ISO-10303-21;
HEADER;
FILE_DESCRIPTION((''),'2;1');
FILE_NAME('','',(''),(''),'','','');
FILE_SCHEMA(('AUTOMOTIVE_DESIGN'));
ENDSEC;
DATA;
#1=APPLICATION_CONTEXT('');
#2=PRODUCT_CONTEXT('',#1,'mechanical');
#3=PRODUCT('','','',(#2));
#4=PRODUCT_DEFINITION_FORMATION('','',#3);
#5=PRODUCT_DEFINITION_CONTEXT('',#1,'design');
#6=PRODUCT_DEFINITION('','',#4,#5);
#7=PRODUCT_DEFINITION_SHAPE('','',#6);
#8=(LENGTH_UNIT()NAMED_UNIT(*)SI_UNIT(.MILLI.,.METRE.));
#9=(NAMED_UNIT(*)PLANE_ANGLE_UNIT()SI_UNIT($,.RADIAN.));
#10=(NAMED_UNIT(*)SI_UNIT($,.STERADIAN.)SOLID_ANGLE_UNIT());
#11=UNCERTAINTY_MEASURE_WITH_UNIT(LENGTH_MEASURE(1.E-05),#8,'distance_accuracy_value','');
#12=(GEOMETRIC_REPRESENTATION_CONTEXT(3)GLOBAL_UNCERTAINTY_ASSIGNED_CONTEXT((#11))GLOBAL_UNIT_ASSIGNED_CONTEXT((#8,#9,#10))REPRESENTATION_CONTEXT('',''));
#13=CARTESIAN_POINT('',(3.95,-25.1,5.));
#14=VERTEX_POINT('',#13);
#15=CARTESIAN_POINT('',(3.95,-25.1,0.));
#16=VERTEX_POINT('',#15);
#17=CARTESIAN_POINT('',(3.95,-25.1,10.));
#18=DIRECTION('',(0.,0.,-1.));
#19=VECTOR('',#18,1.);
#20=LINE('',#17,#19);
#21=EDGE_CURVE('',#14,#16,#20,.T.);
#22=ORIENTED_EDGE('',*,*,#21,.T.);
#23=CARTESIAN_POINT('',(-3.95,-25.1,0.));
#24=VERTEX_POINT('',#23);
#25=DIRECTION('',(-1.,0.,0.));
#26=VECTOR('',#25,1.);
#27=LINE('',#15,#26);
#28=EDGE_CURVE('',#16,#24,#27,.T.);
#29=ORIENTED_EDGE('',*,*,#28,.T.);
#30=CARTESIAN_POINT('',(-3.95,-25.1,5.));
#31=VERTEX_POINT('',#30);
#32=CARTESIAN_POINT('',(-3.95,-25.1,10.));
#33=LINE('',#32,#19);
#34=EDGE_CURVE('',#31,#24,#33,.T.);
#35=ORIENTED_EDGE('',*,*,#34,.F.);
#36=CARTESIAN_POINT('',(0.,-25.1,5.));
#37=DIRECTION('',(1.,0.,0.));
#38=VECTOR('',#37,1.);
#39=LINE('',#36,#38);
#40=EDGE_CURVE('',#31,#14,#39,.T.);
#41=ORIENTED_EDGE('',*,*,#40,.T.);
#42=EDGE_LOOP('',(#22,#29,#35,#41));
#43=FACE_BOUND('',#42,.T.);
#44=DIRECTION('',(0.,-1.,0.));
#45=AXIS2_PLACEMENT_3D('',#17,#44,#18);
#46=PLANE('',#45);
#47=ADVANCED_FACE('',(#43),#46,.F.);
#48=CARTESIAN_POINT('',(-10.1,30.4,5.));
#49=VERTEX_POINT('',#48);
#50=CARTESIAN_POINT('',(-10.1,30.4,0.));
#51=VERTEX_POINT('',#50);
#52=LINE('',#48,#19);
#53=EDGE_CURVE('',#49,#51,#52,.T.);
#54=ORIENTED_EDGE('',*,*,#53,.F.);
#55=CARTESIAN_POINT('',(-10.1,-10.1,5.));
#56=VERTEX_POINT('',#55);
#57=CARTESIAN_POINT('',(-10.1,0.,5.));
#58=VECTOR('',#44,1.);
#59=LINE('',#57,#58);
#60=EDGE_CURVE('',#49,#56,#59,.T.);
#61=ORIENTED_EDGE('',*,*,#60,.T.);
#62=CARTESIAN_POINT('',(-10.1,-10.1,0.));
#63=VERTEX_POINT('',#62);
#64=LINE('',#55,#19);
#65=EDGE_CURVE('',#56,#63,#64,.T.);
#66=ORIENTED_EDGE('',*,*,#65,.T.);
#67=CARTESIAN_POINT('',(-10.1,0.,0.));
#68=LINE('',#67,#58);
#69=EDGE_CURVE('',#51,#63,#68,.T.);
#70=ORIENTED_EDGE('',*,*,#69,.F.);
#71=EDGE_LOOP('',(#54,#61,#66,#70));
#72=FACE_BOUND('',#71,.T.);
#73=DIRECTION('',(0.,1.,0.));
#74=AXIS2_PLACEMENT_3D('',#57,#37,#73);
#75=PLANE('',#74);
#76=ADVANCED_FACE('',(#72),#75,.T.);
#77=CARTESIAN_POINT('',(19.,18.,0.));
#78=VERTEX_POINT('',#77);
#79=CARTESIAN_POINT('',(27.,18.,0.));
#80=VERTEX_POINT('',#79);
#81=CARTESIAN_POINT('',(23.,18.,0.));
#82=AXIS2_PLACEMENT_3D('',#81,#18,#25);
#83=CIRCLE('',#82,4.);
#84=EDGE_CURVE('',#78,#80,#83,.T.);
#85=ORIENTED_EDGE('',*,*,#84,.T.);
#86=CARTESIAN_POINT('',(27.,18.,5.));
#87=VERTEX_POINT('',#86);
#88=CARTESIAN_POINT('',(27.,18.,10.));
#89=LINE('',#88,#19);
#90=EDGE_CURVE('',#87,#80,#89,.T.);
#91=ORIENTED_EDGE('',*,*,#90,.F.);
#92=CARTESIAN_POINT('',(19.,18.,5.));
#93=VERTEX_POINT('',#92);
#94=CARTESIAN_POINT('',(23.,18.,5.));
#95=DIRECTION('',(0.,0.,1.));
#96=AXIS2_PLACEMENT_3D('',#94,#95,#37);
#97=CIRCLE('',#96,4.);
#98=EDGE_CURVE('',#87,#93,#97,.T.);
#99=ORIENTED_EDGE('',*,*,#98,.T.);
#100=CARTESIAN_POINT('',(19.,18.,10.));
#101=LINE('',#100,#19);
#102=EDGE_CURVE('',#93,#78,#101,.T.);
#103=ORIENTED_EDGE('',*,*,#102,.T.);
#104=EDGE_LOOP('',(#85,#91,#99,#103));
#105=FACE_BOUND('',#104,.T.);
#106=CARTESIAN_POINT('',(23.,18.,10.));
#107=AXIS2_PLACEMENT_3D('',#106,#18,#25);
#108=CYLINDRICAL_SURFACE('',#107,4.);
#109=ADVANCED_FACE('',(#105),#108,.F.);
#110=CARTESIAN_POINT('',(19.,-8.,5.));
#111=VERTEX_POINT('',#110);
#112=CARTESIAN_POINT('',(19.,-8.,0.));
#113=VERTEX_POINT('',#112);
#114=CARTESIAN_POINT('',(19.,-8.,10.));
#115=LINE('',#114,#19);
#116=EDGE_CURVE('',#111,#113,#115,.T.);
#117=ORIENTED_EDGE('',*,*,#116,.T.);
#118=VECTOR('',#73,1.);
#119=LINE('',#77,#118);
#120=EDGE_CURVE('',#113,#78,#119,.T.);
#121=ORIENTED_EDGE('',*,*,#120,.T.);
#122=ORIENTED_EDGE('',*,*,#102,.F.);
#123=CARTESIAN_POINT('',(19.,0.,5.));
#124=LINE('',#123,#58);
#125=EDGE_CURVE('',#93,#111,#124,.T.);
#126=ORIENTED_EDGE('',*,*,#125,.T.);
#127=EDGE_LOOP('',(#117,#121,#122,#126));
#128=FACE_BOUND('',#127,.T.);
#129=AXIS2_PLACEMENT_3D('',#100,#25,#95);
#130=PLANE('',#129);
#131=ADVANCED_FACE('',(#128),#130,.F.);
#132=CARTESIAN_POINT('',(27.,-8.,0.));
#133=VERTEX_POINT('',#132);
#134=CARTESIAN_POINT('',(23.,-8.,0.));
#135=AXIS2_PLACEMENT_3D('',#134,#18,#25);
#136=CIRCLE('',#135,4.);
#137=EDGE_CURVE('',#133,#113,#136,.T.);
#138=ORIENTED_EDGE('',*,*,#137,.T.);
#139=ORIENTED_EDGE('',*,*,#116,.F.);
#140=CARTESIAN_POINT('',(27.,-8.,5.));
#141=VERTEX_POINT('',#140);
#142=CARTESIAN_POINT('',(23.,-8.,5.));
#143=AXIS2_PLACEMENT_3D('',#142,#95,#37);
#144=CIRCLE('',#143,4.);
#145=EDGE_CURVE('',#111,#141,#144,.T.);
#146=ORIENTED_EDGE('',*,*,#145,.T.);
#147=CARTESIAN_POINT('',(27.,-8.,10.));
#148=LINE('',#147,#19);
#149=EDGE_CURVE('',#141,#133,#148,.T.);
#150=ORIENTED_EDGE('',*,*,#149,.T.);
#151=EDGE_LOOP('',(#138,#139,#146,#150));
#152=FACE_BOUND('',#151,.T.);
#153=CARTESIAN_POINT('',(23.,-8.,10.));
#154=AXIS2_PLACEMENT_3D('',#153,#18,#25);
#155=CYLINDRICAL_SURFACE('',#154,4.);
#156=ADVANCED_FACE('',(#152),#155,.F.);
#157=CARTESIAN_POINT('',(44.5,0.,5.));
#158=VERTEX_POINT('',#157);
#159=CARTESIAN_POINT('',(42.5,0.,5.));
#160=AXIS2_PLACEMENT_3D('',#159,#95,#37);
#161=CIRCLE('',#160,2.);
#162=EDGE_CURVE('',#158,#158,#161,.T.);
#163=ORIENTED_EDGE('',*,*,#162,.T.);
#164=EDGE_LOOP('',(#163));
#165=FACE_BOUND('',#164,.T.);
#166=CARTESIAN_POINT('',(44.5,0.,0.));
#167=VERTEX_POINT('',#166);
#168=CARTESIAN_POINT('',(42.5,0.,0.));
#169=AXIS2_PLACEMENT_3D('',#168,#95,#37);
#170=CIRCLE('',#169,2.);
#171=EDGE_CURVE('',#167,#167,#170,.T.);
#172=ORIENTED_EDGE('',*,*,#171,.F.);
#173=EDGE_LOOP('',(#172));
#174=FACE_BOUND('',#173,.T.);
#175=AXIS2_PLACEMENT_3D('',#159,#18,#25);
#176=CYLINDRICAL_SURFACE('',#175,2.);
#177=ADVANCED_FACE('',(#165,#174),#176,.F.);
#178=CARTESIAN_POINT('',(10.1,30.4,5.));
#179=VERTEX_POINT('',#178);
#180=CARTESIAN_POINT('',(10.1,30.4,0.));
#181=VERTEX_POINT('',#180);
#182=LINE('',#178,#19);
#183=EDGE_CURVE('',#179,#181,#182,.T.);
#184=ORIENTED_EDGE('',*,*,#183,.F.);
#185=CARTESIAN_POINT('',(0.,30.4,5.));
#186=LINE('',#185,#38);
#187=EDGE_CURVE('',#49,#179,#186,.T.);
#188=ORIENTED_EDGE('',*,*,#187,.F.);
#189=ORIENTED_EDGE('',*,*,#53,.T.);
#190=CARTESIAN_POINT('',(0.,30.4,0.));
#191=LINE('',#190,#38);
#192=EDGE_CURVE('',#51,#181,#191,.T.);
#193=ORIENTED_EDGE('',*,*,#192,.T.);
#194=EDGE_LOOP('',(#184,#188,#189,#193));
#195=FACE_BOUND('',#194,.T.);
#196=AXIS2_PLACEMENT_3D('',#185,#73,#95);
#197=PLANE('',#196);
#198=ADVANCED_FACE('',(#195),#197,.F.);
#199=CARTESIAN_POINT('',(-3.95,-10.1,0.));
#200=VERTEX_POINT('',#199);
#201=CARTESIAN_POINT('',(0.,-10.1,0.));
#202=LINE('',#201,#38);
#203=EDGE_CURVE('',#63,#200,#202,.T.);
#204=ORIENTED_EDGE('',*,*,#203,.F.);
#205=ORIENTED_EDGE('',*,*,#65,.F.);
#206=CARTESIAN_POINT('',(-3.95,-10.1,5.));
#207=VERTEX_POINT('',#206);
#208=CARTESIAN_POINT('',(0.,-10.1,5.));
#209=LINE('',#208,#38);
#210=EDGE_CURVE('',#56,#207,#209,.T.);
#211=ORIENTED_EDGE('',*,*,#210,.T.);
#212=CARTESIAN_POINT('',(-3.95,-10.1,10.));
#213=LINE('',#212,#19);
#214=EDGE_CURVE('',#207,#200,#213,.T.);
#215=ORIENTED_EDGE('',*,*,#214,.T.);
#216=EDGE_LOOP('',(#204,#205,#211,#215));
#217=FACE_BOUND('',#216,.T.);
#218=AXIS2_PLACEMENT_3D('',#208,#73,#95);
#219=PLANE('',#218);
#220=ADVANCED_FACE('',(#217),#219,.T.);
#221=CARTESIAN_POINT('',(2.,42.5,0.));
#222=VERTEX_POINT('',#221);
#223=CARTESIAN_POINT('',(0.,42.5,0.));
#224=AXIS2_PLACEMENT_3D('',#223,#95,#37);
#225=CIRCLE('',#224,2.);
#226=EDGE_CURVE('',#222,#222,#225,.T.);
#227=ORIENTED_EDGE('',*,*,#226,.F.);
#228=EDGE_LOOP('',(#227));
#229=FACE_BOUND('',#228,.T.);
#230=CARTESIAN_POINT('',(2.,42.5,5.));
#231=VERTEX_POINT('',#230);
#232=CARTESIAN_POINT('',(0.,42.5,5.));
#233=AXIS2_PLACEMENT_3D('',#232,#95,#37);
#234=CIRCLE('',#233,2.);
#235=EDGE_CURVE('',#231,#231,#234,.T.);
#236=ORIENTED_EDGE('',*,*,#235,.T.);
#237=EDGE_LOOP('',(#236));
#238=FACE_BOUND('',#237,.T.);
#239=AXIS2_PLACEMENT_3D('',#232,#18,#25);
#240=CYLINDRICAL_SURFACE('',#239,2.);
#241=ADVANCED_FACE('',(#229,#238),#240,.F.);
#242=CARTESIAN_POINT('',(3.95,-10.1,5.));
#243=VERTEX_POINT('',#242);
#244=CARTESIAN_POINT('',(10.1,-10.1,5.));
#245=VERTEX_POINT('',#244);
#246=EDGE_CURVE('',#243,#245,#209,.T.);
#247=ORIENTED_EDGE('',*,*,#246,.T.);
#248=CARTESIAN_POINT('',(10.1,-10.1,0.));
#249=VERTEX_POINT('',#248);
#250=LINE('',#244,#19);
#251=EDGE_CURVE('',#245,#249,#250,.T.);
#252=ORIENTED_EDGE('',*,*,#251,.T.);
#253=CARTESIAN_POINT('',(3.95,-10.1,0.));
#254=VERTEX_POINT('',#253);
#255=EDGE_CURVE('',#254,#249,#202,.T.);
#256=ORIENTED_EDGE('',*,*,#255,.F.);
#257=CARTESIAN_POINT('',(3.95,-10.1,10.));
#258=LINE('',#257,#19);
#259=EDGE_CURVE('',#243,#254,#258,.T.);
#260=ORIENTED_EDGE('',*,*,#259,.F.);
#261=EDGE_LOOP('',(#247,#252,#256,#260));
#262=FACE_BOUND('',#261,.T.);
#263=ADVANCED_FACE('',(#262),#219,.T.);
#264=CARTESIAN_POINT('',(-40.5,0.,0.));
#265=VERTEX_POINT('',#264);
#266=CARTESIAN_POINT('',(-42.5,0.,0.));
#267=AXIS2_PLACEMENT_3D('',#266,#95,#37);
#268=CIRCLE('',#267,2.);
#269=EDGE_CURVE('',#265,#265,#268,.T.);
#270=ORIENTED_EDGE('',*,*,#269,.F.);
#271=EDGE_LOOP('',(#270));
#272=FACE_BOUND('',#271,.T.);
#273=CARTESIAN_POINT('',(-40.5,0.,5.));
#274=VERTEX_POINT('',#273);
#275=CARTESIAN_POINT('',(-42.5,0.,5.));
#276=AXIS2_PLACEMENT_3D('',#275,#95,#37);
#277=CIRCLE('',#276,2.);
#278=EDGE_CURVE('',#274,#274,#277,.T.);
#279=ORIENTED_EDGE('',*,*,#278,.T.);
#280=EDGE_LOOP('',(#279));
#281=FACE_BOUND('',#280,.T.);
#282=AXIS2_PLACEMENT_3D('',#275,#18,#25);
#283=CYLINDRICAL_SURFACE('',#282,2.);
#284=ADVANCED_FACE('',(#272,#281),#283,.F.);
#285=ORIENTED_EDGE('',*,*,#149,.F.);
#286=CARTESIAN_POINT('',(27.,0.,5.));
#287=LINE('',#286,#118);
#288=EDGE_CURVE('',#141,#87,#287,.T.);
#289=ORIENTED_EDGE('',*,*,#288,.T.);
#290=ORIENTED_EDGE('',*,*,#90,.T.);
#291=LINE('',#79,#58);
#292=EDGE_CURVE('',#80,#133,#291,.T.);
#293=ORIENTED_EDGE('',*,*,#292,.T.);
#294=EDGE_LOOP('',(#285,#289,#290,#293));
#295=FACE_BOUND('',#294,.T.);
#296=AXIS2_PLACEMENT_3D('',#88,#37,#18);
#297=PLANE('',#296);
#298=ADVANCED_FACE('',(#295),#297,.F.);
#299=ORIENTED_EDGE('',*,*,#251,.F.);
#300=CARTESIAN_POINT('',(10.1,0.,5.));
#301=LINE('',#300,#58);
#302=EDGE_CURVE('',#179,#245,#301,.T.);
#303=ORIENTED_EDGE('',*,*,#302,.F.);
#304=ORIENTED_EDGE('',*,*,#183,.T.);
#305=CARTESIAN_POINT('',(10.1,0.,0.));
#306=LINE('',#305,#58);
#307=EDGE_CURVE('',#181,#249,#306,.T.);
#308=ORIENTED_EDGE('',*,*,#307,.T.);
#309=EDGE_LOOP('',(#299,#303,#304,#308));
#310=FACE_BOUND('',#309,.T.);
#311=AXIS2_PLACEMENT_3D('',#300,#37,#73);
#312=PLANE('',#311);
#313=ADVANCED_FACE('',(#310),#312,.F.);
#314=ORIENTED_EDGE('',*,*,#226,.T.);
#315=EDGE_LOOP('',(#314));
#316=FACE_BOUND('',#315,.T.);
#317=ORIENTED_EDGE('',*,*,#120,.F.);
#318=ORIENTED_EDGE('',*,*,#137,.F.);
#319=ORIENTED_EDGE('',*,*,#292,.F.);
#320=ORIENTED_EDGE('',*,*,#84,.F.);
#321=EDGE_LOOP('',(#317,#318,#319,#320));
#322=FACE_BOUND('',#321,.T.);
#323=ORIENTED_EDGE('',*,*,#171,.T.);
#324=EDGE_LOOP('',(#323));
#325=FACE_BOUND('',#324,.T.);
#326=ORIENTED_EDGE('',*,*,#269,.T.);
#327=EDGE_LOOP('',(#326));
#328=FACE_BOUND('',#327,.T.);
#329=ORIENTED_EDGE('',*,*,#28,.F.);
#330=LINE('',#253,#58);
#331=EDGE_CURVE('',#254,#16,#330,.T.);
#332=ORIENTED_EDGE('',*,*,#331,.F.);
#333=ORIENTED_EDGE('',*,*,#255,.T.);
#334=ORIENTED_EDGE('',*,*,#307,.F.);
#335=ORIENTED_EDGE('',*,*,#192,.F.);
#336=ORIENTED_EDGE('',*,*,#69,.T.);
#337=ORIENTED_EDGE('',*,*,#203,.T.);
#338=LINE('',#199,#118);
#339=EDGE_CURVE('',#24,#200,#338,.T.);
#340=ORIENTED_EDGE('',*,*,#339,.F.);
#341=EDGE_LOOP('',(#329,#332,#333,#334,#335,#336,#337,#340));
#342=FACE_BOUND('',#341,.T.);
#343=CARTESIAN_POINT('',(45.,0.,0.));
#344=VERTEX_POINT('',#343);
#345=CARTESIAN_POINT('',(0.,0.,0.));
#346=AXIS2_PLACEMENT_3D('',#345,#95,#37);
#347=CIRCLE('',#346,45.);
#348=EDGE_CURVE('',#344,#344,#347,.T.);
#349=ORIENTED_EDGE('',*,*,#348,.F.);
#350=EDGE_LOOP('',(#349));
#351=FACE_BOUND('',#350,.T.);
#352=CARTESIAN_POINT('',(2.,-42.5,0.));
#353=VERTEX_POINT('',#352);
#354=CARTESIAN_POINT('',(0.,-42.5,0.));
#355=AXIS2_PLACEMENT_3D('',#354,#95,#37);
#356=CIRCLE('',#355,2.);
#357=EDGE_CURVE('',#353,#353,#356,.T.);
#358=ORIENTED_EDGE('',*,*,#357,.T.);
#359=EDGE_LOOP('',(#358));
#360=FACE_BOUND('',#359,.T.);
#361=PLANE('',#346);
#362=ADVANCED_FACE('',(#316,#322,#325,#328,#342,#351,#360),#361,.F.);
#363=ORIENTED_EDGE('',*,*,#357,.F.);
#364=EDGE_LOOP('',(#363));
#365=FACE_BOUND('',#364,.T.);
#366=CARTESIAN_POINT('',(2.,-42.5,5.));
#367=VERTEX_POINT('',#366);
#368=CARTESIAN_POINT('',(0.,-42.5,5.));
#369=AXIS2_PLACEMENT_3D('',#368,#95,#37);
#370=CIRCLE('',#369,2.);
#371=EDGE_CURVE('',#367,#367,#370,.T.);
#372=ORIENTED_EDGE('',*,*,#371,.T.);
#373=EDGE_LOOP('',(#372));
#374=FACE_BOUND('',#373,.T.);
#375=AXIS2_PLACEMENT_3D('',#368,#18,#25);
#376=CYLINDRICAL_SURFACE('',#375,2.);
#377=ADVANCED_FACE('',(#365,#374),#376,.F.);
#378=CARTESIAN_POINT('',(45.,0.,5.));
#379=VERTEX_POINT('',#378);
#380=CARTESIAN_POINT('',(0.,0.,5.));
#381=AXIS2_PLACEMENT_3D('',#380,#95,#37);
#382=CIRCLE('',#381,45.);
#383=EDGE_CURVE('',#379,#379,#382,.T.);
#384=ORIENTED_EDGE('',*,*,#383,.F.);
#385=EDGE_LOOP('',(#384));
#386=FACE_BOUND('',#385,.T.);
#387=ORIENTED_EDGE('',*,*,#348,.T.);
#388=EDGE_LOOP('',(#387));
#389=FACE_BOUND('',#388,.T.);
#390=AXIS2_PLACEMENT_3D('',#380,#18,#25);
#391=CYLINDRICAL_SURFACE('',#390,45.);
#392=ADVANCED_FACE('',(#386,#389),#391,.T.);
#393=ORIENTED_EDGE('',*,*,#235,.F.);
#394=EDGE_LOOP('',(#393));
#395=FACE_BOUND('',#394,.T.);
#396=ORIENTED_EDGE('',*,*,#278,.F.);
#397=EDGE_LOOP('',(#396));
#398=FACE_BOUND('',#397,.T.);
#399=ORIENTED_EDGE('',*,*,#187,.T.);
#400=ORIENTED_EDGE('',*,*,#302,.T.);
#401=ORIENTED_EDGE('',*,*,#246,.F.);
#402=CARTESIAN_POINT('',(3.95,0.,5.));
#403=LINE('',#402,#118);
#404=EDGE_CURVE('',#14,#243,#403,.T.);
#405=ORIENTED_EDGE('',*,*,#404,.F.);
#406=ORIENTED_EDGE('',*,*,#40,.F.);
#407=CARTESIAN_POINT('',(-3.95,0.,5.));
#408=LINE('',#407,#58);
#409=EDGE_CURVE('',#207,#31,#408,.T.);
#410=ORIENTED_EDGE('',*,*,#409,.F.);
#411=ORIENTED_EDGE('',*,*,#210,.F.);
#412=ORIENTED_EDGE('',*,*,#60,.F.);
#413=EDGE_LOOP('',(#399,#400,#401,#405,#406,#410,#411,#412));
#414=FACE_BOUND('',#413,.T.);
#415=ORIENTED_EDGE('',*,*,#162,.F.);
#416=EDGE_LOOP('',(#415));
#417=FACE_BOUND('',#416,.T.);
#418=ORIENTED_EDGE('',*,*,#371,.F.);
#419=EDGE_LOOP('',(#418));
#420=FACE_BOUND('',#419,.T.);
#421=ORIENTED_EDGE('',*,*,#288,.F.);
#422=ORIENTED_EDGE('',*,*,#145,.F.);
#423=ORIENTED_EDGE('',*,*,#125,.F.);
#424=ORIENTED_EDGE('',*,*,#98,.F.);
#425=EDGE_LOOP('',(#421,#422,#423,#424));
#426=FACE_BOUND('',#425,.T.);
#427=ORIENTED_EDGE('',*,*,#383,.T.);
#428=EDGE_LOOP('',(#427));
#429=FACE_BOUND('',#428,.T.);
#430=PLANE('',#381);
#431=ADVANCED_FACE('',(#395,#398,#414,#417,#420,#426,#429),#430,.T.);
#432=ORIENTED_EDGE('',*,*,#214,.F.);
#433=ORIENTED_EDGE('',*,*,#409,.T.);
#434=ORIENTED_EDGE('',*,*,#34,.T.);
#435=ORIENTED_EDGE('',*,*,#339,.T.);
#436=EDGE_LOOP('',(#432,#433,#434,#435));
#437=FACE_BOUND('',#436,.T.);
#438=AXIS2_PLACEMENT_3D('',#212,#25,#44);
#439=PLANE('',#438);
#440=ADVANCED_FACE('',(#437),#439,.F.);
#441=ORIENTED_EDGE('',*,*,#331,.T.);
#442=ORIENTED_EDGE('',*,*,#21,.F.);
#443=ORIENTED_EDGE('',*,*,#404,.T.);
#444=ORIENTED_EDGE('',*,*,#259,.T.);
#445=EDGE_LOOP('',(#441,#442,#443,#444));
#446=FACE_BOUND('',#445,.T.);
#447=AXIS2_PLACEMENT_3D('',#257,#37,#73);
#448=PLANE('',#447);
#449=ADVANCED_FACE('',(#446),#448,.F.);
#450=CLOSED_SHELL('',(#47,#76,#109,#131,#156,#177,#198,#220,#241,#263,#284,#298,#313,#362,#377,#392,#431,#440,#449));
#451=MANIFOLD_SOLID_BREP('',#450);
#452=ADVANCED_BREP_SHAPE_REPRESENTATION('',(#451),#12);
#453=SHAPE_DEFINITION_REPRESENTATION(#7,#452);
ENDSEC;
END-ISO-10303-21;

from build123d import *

# Parameters (mm, degrees)
SKETCH1_R           = 45
SKETCH1_R_2         = 2
SKETCH1_W           = 20.2
SKETCH1_H           = 40.5
BOSS_EXTRUDE1_DEPTH = 5
SKETCH2_W           = 7.9
SKETCH2_H           = 15
CUT_EXTRUDE1_DEPTH  = 10
CUT_EXTRUDE2_DEPTH  = 10


with BuildPart() as part:
    # Sketch1 → Boss-Extrude1 (new body)
    with BuildSketch(Plane.XY):
        Circle(SKETCH1_R)
        with Locations((42.5, 0)):
            Circle(SKETCH1_R_2, mode=Mode.SUBTRACT)
        with Locations((0, -42.5)):
            Circle(SKETCH1_R_2, mode=Mode.SUBTRACT)
        with Locations((-42.5, 0)):
            Circle(SKETCH1_R_2, mode=Mode.SUBTRACT)
        with Locations((0, 42.5)):
            Circle(SKETCH1_R_2, mode=Mode.SUBTRACT)
        with Locations((0, 10.15)):
            Rectangle(SKETCH1_W, SKETCH1_H, mode=Mode.SUBTRACT)
    extrude(amount=BOSS_EXTRUDE1_DEPTH)

    # Sketch2 → Cut-Extrude1 (cut)
    with BuildSketch(Plane(origin=(0, 0, 0), x_dir=(-1, 0, 0), z_dir=(0, 0, -1))):
        with Locations((0, -17.6)):
            Rectangle(SKETCH2_W, SKETCH2_H)
    extrude(amount=-CUT_EXTRUDE1_DEPTH, mode=Mode.SUBTRACT)

    # Sketch3 → Cut-Extrude2 (cut)
    with BuildSketch(Plane(origin=(0, 0, 0), x_dir=(-1, 0, 0), z_dir=(0, 0, -1))):
        with BuildLine():
            Line((-19, 18), (-19, -8))
            ThreePointArc((-19, -8), (-23, -12), (-27, -8))
            Line((-27, -8), (-27, 18))
            ThreePointArc((-27, 18), (-23, 22), (-19, 18))
        make_face()
    extrude(amount=-CUT_EXTRUDE2_DEPTH, mode=Mode.SUBTRACT)


solid = part.part
